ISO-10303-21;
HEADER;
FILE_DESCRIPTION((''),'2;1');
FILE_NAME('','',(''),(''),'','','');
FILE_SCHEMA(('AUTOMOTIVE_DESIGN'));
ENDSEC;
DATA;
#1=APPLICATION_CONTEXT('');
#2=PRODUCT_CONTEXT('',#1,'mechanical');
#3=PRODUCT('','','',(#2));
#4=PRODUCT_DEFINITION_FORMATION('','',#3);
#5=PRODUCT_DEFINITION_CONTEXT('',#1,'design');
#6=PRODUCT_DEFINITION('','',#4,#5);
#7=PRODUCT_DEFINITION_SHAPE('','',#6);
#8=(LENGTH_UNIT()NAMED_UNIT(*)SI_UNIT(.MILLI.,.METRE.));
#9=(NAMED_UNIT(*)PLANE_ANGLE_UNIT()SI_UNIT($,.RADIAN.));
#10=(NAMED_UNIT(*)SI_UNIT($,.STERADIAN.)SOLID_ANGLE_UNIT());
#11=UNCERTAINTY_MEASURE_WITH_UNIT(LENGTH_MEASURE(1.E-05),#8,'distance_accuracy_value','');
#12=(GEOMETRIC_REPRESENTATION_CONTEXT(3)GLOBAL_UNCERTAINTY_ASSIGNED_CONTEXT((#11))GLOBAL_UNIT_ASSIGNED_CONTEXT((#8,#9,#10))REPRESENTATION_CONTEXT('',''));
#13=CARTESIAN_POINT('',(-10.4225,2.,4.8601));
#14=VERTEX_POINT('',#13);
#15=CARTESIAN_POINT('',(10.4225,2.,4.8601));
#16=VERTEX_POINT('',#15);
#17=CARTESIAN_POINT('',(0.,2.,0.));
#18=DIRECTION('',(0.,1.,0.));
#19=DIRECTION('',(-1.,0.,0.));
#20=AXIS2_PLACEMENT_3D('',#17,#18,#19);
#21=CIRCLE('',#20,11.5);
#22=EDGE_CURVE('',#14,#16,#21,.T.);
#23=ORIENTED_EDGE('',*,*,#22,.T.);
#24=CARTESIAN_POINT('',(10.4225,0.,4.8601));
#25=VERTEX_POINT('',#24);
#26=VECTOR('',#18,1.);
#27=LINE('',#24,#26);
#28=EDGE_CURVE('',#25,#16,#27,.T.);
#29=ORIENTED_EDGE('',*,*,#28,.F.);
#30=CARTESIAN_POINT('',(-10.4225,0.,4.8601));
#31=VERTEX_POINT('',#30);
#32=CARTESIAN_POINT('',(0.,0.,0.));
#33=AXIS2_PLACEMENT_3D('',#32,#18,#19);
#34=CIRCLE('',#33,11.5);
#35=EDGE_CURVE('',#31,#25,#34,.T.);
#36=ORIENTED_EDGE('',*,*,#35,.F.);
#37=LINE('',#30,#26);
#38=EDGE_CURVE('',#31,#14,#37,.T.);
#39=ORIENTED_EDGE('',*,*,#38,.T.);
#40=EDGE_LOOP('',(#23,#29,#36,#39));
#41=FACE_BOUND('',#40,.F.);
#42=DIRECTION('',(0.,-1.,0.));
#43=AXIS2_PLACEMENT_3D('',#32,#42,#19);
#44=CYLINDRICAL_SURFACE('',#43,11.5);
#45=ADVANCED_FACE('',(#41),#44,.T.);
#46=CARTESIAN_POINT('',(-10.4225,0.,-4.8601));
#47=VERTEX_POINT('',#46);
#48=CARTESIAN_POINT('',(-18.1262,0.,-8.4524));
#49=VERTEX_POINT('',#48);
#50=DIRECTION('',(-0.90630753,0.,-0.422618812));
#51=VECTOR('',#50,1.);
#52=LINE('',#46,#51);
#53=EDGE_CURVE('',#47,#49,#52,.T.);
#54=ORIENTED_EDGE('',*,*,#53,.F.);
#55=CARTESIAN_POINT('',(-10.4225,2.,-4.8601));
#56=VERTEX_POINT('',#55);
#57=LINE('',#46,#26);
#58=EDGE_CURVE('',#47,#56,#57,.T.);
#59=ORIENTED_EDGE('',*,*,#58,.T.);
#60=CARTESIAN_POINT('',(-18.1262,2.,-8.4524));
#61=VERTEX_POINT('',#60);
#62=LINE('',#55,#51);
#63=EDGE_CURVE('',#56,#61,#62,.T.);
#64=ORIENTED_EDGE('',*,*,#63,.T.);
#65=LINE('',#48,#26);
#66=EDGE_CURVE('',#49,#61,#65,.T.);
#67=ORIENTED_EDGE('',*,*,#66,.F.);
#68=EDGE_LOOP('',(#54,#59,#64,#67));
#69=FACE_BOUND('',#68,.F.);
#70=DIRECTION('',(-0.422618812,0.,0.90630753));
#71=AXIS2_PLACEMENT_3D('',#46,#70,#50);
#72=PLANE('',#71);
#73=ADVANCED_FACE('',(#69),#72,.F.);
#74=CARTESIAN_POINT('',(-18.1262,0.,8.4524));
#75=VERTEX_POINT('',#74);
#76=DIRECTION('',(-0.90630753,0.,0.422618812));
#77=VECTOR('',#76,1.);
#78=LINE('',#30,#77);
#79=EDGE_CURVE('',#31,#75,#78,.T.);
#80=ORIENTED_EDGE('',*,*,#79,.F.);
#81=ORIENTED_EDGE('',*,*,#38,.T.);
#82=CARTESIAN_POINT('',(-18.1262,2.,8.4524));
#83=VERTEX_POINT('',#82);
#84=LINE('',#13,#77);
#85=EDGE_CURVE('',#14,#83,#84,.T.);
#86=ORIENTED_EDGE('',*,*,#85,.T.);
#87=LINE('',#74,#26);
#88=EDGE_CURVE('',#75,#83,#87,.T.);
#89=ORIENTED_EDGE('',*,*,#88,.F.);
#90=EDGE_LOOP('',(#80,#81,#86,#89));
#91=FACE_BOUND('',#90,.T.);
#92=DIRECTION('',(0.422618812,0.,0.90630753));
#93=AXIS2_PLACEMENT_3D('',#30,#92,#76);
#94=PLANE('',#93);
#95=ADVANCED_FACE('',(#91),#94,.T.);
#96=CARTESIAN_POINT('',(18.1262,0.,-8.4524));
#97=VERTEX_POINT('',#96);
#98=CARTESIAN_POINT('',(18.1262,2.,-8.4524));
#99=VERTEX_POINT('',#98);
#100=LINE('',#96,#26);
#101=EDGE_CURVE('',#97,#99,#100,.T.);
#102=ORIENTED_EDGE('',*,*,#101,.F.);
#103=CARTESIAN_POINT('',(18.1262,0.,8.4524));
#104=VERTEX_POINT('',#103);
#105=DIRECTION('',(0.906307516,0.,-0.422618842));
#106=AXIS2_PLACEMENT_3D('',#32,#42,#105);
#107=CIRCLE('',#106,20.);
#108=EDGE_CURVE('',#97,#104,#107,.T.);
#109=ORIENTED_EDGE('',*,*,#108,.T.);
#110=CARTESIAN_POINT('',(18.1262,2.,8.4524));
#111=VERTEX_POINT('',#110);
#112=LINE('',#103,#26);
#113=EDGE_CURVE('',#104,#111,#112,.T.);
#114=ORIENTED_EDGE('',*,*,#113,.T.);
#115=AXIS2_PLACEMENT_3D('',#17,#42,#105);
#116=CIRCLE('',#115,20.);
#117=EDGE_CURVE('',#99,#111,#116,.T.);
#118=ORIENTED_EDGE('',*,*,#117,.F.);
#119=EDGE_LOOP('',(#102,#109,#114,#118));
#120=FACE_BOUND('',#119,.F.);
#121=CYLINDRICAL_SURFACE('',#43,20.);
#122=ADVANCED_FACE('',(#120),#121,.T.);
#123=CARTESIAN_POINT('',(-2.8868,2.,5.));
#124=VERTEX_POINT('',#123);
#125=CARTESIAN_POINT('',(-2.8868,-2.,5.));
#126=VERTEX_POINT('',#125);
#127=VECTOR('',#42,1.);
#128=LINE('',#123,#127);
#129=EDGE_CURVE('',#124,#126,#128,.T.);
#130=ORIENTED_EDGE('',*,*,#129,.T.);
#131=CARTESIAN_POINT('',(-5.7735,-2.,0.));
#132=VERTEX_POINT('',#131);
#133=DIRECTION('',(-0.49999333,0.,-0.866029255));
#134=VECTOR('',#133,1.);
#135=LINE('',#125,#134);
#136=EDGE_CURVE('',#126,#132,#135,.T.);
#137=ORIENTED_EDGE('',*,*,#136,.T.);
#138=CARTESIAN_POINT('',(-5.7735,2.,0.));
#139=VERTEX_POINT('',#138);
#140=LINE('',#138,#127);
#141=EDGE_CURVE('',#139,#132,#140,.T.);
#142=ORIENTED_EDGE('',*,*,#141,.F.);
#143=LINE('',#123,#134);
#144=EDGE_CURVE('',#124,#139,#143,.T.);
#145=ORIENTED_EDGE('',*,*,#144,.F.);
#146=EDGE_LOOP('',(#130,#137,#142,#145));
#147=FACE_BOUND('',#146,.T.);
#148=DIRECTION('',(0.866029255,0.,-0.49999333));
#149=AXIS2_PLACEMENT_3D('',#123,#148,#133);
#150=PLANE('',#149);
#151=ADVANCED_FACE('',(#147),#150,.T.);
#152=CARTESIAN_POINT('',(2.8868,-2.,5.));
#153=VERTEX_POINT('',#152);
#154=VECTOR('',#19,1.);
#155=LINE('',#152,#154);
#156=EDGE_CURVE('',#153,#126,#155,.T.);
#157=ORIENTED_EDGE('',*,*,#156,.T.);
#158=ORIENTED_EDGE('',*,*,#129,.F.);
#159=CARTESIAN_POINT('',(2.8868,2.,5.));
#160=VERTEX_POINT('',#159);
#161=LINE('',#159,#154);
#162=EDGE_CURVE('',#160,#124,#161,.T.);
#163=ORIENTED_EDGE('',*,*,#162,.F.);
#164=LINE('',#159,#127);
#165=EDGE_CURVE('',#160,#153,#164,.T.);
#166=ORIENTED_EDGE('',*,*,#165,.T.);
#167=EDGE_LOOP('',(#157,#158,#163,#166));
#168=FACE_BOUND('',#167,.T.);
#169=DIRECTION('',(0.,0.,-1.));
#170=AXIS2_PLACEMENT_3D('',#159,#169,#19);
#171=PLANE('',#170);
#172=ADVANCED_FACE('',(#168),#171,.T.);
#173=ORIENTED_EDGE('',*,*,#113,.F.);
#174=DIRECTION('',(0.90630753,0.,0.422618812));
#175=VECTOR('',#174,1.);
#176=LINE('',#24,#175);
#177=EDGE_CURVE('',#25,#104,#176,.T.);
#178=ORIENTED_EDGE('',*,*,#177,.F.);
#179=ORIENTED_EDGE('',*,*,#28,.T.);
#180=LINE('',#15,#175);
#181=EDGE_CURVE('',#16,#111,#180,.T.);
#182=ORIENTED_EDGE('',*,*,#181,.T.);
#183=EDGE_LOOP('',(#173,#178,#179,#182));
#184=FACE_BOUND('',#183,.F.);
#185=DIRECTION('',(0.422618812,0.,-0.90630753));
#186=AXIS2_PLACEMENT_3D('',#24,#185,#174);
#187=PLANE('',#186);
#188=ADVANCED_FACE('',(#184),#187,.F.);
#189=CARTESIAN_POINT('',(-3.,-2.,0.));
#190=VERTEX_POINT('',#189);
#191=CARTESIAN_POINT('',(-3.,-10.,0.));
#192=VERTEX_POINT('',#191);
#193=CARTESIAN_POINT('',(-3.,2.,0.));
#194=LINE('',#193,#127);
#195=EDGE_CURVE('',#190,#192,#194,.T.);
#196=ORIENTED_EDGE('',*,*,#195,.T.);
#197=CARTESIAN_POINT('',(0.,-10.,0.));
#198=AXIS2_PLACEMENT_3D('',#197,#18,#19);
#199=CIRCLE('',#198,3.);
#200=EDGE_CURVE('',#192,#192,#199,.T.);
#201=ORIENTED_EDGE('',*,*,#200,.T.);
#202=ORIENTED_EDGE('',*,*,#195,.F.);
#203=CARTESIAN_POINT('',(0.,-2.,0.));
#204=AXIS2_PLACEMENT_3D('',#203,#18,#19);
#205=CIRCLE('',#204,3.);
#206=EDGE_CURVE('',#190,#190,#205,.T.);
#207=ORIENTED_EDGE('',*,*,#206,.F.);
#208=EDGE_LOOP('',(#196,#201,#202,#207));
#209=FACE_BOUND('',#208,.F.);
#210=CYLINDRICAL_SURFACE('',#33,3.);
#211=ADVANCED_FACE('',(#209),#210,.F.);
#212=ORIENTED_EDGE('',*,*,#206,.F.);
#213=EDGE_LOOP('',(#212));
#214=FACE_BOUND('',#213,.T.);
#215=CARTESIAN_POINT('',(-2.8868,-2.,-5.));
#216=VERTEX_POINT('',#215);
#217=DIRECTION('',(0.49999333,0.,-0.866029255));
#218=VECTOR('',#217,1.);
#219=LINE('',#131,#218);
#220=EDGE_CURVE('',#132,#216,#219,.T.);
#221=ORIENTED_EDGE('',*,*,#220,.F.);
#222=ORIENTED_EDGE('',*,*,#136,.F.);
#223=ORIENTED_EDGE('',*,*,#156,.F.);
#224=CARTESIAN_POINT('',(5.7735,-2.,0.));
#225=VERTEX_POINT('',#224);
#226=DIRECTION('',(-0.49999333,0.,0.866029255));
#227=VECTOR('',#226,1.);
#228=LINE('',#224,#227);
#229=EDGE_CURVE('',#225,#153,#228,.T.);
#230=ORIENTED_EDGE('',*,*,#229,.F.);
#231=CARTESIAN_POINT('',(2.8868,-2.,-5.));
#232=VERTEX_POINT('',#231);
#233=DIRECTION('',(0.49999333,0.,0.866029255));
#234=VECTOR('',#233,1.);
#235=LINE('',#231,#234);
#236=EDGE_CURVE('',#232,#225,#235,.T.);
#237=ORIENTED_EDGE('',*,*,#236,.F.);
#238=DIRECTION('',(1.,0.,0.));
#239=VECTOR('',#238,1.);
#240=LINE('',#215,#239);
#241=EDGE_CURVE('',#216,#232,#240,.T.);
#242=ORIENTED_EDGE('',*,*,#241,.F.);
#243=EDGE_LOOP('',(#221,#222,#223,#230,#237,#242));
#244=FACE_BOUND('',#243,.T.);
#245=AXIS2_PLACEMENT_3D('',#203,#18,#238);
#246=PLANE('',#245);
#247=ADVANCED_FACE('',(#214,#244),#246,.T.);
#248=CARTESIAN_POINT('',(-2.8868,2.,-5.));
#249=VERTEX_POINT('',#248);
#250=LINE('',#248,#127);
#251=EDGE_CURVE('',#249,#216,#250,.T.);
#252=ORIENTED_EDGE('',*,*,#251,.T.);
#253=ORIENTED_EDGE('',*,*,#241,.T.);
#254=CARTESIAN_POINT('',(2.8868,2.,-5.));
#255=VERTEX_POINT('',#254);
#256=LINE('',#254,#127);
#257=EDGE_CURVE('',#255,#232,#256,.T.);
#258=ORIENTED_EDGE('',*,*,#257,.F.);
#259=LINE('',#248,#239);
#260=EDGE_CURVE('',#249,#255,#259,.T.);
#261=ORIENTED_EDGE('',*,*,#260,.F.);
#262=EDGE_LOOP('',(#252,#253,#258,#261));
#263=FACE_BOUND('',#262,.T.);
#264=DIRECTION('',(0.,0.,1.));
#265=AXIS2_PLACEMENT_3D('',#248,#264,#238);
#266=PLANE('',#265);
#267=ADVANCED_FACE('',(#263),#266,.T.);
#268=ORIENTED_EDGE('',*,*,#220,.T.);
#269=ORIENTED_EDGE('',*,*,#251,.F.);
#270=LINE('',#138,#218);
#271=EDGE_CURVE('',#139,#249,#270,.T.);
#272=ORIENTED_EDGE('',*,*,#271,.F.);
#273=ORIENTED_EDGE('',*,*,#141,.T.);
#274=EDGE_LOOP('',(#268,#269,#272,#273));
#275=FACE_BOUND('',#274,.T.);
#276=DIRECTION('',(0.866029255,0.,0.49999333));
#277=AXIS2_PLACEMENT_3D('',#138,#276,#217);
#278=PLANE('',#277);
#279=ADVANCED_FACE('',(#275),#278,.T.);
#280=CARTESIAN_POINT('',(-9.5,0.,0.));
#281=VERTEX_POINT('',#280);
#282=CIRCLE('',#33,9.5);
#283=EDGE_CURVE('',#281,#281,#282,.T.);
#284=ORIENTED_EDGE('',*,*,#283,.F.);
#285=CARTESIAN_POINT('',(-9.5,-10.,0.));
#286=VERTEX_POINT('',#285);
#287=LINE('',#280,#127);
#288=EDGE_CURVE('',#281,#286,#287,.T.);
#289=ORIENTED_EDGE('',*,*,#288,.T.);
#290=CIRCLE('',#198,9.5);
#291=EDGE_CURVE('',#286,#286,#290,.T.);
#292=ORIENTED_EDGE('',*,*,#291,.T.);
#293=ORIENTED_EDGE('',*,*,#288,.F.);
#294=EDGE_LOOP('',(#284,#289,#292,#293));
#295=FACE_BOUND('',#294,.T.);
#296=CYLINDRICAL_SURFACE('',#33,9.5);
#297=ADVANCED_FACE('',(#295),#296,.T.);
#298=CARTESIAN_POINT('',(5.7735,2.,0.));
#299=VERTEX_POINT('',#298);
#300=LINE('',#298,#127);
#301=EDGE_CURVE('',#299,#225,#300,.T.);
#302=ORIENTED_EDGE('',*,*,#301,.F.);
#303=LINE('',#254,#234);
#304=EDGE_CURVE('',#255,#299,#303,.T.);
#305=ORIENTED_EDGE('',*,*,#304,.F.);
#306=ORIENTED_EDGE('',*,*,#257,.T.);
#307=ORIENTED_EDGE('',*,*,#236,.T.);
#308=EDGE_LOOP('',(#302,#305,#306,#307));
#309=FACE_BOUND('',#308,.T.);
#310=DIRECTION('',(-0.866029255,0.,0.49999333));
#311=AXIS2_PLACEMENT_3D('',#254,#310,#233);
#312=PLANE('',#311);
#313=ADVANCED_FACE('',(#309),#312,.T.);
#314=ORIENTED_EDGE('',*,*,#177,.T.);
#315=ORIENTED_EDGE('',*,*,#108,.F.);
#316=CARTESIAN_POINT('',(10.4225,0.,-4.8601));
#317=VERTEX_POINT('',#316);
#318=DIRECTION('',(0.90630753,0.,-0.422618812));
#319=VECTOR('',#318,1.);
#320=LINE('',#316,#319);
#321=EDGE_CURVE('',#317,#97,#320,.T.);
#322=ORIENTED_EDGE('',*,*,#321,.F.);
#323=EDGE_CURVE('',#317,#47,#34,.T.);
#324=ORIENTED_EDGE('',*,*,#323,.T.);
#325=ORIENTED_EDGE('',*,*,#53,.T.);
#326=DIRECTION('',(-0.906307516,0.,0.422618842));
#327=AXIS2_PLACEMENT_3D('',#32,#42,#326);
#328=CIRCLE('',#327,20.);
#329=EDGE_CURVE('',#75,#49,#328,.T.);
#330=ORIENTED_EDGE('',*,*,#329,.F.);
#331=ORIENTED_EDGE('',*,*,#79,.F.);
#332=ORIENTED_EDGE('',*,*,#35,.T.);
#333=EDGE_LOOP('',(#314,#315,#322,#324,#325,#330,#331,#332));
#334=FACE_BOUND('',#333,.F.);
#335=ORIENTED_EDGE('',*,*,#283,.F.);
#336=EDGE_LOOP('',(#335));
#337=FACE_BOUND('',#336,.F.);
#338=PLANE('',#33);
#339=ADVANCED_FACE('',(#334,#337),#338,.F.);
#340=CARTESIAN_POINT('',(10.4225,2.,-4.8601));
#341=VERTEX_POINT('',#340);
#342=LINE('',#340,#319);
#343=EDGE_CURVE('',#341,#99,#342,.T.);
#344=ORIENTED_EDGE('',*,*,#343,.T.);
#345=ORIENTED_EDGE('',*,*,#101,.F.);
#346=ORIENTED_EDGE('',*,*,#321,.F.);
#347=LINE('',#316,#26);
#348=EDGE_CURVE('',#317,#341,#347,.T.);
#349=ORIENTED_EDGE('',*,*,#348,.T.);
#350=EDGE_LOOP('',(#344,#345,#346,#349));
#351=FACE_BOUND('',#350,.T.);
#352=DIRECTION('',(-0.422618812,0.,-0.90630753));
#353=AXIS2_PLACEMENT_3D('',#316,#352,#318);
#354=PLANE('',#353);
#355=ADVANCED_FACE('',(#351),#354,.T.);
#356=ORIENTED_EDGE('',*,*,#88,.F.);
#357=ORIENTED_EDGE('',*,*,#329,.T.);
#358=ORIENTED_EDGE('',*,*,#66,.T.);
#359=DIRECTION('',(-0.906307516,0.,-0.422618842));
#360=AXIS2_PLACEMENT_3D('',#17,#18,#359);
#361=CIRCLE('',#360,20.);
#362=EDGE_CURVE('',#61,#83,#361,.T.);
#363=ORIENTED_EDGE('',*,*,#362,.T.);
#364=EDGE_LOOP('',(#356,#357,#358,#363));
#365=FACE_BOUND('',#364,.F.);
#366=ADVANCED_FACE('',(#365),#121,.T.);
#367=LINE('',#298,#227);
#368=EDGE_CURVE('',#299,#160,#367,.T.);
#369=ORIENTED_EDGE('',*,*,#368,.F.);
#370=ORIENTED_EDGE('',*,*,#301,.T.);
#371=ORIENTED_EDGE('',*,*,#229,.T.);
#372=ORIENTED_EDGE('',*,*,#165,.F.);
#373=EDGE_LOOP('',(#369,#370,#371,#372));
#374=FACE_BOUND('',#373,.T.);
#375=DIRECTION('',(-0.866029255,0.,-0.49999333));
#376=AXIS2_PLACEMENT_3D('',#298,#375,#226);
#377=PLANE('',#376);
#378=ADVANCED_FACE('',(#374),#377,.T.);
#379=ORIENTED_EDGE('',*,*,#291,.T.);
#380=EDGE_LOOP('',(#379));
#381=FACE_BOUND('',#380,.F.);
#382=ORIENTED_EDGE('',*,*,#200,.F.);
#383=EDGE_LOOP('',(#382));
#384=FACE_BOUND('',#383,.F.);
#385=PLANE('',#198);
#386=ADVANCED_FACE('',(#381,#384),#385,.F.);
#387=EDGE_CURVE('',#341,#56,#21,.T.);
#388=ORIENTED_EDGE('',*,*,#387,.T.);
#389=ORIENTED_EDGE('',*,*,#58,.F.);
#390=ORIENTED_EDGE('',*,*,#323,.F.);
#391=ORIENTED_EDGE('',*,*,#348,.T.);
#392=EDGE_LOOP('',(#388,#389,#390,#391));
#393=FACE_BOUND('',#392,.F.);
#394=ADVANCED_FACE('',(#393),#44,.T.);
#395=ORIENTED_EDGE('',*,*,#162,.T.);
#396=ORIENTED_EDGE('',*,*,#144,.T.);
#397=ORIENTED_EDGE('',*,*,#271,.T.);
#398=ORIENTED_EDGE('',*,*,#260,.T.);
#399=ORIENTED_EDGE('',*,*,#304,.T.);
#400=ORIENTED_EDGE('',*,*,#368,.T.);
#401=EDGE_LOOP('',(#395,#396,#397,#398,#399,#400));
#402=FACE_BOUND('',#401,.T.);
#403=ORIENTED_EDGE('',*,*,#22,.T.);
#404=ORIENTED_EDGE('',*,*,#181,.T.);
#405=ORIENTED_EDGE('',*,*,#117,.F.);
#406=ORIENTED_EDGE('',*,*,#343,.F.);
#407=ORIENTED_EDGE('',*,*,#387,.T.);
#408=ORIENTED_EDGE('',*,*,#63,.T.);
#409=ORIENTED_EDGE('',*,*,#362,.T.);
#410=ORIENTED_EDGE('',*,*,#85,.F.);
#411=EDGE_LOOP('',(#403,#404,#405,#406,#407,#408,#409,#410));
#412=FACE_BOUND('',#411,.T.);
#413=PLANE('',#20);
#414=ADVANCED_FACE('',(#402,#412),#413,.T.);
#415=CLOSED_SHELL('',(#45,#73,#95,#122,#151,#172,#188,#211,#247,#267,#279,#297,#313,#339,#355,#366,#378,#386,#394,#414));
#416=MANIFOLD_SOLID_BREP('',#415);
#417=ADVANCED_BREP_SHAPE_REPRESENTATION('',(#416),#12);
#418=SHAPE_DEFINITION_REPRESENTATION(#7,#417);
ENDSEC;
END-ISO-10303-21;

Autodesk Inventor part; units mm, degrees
ref_plane "YZ Plane" through (0, 0, 0) normal (1, 0, 0) x (0, 1, 0)
ref_plane "XZ Plane" through (0, 0, 0) normal (0, 1, 0) x (-1, 0, 0)
ref_plane "XY Plane" through (0, 0, 0) normal (0, 0, 1) x (1, 0, 0)
sketch "Skizze1" plane through (0, 0, 0) normal (0, 1, 0) x (-1, 0, 0)
  circle A0 centre (0, 0) radius 9.5
  circle A1 centre (0, 0) radius 11.5
  circle A2 centre (0, 0) radius 8.5
  circle A3 centre (0, 0) radius 3
  circle A4 centre (0, 0) radius 20
  line L0 (10.4225, 4.8601) -> (18.1262, 8.4524)
  line L1 (10.4225, -4.8601) -> (18.1262, -8.4524)
  line L2 (28, 0) -> (-28, 0) projected
  line L3 (-10.4225, 4.8601) -> (-18.1262, 8.4524)
  line L4 (-10.4225, -4.8601) -> (-18.1262, -8.4524)
  dimension "d0" = 19
  dimension "d1" = 23
  dimension "d2" = 17
  dimension "d3" = 6
  dimension "d8" = 40
  dimension "d10" = 50
extrude "Extrusion1" add sketch "Skizze1" along normal blind 2 contours L2 A2 A0 | L2 A1 A0 | A0 L2 A1 | A0 L2 A2 | L2 A4 L1 A1 | A1 L0 A4 L2 | L2 A3 A2 | A2 L2 A3 | L2 A4 L3 A1 | A1 L4 A4 L2
extrude "Extrusion2" add sketch "Skizze1" against normal blind 10 contours L2 A2 A0 | A0 L2 A2 | L2 A3 A2 | A2 L2 A3
sketch "Skizze2" plane through (0, 2, 0) normal (0, 1, 0) x (1, 0, 0)
  circle A0 centre (0, 0) radius 3 projected
  arc A1 (-18.1262, 8.4524) -> (-18.1262, -8.4524) centre (0, 0) ccw projected
  line L0 (-2.8868, 5) -> (2.8868, 5)
  line L1 (2.8868, 5) -> (5.7735, 0)
  line L2 (5.7735, 0) -> (2.8868, -5)
  line L3 (2.8868, -5) -> (-2.8868, -5)
  line L4 (-2.8868, -5) -> (-5.7735, 0)
  line L5 (-5.7735, 0) -> (-2.8868, 5)
  dimension "d11" = 10
extrude "Extrusion3" cut sketch "Skizze2" against normal blind 4
properties part number "Unterdruckventil_Gegenhalter"
